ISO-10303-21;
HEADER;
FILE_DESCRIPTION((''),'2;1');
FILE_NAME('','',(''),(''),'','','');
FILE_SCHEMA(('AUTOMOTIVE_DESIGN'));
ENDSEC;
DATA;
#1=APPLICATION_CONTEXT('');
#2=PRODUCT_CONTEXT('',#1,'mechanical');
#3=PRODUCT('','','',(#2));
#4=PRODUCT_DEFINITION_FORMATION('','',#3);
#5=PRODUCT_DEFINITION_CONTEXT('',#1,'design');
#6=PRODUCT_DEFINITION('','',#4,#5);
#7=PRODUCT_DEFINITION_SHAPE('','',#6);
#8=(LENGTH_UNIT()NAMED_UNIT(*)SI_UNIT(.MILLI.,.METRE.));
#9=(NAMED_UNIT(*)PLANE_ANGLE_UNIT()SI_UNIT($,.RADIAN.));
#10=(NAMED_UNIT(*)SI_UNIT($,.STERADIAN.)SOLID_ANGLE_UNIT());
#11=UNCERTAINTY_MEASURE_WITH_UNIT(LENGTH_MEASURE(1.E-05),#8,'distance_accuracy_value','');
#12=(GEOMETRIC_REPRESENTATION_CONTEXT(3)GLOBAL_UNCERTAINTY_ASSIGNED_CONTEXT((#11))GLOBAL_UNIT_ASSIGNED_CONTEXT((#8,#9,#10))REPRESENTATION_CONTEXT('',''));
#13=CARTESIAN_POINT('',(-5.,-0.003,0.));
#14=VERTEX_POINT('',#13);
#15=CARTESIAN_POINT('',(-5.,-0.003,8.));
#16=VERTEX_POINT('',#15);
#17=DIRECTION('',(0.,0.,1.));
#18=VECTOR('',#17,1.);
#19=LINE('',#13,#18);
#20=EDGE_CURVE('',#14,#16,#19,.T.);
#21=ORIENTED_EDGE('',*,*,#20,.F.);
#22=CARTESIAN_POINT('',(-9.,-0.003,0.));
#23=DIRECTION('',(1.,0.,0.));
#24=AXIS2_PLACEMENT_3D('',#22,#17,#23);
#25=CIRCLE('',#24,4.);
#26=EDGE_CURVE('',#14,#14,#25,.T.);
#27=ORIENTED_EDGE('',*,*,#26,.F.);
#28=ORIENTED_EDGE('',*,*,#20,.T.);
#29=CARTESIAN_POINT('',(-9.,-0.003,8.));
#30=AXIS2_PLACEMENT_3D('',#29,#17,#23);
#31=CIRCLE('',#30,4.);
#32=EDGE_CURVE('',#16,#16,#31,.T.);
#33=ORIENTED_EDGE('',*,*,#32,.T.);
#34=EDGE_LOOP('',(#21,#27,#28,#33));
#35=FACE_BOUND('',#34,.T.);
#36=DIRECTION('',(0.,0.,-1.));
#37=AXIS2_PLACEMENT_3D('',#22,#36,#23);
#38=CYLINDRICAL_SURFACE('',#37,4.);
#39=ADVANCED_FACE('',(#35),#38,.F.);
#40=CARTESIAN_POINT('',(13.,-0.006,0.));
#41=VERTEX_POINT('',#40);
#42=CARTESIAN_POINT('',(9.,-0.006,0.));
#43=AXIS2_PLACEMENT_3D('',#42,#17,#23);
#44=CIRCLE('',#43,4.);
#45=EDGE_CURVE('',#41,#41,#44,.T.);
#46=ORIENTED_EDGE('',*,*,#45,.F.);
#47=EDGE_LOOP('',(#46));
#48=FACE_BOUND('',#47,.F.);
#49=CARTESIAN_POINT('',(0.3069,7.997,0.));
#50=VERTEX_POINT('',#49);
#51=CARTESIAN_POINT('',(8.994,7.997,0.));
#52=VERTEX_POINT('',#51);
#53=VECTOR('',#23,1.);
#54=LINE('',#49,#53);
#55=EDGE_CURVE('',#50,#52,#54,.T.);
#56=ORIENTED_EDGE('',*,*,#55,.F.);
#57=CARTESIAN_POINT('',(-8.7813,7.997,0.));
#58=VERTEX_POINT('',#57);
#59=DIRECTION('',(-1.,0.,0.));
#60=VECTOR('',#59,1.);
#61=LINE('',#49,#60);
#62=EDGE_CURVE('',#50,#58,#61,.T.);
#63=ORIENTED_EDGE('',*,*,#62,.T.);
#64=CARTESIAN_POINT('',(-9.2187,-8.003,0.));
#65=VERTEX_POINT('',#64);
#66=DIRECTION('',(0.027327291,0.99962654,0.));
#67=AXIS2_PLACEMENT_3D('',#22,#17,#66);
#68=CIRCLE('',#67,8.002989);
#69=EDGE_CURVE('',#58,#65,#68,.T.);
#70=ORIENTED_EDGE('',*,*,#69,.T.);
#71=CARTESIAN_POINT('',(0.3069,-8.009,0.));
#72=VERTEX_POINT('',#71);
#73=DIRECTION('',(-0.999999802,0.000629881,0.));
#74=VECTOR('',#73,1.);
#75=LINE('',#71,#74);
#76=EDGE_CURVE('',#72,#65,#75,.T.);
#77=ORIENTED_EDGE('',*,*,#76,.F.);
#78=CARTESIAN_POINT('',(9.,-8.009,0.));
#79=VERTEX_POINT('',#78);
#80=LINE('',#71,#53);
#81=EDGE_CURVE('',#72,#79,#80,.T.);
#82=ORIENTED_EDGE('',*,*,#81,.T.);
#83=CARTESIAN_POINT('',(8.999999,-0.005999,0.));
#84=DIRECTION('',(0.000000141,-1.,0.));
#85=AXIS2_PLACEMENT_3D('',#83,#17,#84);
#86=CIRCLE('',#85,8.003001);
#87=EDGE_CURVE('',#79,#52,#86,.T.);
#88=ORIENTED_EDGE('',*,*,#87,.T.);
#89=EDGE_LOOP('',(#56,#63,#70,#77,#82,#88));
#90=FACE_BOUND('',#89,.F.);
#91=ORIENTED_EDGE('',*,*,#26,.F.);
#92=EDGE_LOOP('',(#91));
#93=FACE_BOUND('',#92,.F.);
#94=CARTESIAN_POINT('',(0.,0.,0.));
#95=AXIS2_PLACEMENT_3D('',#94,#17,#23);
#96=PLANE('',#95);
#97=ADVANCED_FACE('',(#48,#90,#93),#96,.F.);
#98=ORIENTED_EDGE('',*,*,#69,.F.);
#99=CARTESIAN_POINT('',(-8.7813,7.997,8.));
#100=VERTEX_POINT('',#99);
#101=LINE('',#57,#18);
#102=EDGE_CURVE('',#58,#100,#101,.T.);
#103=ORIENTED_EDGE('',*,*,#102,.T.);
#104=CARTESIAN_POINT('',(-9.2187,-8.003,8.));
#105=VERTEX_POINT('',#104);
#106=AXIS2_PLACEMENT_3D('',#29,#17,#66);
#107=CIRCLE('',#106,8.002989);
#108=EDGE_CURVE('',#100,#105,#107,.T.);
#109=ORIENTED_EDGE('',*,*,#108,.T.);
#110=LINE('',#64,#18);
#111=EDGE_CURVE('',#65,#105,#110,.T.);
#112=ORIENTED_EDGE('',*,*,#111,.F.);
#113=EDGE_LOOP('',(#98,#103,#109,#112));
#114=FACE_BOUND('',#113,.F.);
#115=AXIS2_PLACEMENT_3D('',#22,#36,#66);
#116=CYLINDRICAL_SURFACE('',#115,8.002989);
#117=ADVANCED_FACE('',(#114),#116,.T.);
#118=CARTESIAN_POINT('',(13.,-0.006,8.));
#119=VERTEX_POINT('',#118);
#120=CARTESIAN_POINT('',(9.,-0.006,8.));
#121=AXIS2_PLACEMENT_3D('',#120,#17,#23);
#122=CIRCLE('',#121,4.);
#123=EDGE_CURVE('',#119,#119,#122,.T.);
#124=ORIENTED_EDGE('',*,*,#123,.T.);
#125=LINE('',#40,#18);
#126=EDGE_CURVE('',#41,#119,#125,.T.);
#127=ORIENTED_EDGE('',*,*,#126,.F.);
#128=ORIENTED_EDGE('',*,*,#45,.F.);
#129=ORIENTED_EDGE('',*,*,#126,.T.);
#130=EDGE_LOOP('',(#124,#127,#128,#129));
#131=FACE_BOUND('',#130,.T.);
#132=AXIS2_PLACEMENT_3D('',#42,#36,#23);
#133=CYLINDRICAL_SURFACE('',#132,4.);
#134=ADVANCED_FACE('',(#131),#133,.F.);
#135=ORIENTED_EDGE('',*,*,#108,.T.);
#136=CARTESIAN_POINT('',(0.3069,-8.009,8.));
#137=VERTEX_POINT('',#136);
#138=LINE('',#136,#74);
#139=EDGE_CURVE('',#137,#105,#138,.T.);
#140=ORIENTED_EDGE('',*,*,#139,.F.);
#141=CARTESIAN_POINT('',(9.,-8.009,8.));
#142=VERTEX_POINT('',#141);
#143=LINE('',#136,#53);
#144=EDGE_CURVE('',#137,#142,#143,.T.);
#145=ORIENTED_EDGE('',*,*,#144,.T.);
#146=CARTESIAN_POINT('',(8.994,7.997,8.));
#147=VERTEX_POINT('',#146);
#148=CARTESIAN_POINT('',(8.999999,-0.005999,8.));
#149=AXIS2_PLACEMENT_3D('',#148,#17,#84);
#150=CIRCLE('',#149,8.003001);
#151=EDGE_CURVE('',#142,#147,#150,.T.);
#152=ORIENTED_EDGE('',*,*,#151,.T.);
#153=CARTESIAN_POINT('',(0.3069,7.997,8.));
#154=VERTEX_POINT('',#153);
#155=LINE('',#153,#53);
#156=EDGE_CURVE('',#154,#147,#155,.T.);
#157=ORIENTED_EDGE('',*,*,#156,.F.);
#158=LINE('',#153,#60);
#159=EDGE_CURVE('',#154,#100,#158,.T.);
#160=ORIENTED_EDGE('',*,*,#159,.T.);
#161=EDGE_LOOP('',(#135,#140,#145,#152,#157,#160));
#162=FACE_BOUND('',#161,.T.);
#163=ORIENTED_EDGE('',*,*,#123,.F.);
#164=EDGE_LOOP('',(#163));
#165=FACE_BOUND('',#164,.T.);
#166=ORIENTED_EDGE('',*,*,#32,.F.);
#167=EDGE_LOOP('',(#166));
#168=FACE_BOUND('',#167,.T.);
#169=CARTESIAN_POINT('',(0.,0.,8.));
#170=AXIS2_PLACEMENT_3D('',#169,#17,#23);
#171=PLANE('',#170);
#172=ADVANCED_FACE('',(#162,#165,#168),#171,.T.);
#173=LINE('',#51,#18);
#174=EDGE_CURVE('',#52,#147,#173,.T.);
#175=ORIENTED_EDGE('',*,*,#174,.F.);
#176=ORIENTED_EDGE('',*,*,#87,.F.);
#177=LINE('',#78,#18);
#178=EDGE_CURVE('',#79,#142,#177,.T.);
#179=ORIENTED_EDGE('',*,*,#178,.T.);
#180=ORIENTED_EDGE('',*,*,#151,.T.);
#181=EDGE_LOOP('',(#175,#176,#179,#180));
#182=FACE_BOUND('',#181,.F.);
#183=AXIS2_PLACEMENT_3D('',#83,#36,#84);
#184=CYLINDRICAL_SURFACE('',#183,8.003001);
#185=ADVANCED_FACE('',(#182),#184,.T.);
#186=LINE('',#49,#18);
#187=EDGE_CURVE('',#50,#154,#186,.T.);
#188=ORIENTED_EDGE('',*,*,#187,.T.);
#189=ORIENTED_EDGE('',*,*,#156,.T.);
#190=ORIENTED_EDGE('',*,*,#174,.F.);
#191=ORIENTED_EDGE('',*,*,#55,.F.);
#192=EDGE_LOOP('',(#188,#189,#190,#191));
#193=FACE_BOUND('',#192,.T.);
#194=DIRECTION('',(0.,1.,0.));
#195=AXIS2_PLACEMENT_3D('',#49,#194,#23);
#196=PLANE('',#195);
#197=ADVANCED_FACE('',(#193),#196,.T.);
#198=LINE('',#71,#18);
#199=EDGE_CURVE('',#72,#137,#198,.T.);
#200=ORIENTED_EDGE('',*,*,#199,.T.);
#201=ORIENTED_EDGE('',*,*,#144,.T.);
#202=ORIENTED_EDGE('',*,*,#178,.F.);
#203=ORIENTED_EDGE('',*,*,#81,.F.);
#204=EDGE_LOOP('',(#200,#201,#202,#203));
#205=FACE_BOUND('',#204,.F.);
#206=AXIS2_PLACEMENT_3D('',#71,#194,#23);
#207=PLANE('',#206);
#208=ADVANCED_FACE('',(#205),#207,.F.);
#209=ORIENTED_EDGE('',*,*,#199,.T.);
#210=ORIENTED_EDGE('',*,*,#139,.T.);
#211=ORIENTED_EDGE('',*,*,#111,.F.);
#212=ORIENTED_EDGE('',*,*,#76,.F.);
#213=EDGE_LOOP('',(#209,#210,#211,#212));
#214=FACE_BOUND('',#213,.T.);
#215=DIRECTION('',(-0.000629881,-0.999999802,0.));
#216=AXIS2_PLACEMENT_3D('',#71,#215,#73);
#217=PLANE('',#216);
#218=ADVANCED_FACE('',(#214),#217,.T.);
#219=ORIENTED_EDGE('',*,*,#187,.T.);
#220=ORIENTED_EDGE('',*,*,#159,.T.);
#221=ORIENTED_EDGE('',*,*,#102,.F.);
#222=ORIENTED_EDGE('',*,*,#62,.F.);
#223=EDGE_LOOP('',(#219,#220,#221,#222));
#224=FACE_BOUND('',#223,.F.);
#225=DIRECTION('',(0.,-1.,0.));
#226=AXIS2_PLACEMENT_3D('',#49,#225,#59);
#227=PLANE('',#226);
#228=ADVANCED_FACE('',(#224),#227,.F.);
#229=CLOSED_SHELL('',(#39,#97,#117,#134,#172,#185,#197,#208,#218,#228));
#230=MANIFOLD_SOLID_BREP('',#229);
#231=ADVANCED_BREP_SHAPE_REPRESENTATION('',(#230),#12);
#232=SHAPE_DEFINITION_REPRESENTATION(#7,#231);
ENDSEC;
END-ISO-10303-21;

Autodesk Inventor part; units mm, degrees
ref_plane "YZ Plane" through (0, 0, 0) normal (1, 0, 0) x (0, 1, 0)
ref_plane "XZ Plane" through (0, 0, 0) normal (0, 1, 0) x (-1, 0, 0)
ref_plane "XY Plane" through (0, 0, 0) normal (0, 0, 1) x (1, 0, 0)
sketch "Szkic1" plane through (0, 0, 0) normal (0, 0, 1) x (1, 0, 0)
  line L0 (0.3069, -8.009) -> (9, -8.009)
  line L1 (0.3069, 7.997) -> (-8.7813, 7.997)
  line L2 (0.3069, -8.009) -> (-9.2187, -8.003)
  line L3 (0.3069, 7.997) -> (8.994, 7.997)
  circle A0 centre (9, -0.006) radius 4
  circle A1 centre (-9, -0.003) radius 4
  arc A2 (9, -8.009) -> (8.994, 7.997) centre (9, -0.006) ccw
  arc A3 (-8.7813, 7.997) -> (-9.2187, -8.003) centre (-9, -0.003) ccw
  point P0 (0, 0)
  dimension "d2" = 18
  dimension "d5" = 16
  dimension "d6" = 8
extrude "Wyciągnięcie proste1" add sketch "Szkic1" along normal blind 8
properties part number "Lacznik"
